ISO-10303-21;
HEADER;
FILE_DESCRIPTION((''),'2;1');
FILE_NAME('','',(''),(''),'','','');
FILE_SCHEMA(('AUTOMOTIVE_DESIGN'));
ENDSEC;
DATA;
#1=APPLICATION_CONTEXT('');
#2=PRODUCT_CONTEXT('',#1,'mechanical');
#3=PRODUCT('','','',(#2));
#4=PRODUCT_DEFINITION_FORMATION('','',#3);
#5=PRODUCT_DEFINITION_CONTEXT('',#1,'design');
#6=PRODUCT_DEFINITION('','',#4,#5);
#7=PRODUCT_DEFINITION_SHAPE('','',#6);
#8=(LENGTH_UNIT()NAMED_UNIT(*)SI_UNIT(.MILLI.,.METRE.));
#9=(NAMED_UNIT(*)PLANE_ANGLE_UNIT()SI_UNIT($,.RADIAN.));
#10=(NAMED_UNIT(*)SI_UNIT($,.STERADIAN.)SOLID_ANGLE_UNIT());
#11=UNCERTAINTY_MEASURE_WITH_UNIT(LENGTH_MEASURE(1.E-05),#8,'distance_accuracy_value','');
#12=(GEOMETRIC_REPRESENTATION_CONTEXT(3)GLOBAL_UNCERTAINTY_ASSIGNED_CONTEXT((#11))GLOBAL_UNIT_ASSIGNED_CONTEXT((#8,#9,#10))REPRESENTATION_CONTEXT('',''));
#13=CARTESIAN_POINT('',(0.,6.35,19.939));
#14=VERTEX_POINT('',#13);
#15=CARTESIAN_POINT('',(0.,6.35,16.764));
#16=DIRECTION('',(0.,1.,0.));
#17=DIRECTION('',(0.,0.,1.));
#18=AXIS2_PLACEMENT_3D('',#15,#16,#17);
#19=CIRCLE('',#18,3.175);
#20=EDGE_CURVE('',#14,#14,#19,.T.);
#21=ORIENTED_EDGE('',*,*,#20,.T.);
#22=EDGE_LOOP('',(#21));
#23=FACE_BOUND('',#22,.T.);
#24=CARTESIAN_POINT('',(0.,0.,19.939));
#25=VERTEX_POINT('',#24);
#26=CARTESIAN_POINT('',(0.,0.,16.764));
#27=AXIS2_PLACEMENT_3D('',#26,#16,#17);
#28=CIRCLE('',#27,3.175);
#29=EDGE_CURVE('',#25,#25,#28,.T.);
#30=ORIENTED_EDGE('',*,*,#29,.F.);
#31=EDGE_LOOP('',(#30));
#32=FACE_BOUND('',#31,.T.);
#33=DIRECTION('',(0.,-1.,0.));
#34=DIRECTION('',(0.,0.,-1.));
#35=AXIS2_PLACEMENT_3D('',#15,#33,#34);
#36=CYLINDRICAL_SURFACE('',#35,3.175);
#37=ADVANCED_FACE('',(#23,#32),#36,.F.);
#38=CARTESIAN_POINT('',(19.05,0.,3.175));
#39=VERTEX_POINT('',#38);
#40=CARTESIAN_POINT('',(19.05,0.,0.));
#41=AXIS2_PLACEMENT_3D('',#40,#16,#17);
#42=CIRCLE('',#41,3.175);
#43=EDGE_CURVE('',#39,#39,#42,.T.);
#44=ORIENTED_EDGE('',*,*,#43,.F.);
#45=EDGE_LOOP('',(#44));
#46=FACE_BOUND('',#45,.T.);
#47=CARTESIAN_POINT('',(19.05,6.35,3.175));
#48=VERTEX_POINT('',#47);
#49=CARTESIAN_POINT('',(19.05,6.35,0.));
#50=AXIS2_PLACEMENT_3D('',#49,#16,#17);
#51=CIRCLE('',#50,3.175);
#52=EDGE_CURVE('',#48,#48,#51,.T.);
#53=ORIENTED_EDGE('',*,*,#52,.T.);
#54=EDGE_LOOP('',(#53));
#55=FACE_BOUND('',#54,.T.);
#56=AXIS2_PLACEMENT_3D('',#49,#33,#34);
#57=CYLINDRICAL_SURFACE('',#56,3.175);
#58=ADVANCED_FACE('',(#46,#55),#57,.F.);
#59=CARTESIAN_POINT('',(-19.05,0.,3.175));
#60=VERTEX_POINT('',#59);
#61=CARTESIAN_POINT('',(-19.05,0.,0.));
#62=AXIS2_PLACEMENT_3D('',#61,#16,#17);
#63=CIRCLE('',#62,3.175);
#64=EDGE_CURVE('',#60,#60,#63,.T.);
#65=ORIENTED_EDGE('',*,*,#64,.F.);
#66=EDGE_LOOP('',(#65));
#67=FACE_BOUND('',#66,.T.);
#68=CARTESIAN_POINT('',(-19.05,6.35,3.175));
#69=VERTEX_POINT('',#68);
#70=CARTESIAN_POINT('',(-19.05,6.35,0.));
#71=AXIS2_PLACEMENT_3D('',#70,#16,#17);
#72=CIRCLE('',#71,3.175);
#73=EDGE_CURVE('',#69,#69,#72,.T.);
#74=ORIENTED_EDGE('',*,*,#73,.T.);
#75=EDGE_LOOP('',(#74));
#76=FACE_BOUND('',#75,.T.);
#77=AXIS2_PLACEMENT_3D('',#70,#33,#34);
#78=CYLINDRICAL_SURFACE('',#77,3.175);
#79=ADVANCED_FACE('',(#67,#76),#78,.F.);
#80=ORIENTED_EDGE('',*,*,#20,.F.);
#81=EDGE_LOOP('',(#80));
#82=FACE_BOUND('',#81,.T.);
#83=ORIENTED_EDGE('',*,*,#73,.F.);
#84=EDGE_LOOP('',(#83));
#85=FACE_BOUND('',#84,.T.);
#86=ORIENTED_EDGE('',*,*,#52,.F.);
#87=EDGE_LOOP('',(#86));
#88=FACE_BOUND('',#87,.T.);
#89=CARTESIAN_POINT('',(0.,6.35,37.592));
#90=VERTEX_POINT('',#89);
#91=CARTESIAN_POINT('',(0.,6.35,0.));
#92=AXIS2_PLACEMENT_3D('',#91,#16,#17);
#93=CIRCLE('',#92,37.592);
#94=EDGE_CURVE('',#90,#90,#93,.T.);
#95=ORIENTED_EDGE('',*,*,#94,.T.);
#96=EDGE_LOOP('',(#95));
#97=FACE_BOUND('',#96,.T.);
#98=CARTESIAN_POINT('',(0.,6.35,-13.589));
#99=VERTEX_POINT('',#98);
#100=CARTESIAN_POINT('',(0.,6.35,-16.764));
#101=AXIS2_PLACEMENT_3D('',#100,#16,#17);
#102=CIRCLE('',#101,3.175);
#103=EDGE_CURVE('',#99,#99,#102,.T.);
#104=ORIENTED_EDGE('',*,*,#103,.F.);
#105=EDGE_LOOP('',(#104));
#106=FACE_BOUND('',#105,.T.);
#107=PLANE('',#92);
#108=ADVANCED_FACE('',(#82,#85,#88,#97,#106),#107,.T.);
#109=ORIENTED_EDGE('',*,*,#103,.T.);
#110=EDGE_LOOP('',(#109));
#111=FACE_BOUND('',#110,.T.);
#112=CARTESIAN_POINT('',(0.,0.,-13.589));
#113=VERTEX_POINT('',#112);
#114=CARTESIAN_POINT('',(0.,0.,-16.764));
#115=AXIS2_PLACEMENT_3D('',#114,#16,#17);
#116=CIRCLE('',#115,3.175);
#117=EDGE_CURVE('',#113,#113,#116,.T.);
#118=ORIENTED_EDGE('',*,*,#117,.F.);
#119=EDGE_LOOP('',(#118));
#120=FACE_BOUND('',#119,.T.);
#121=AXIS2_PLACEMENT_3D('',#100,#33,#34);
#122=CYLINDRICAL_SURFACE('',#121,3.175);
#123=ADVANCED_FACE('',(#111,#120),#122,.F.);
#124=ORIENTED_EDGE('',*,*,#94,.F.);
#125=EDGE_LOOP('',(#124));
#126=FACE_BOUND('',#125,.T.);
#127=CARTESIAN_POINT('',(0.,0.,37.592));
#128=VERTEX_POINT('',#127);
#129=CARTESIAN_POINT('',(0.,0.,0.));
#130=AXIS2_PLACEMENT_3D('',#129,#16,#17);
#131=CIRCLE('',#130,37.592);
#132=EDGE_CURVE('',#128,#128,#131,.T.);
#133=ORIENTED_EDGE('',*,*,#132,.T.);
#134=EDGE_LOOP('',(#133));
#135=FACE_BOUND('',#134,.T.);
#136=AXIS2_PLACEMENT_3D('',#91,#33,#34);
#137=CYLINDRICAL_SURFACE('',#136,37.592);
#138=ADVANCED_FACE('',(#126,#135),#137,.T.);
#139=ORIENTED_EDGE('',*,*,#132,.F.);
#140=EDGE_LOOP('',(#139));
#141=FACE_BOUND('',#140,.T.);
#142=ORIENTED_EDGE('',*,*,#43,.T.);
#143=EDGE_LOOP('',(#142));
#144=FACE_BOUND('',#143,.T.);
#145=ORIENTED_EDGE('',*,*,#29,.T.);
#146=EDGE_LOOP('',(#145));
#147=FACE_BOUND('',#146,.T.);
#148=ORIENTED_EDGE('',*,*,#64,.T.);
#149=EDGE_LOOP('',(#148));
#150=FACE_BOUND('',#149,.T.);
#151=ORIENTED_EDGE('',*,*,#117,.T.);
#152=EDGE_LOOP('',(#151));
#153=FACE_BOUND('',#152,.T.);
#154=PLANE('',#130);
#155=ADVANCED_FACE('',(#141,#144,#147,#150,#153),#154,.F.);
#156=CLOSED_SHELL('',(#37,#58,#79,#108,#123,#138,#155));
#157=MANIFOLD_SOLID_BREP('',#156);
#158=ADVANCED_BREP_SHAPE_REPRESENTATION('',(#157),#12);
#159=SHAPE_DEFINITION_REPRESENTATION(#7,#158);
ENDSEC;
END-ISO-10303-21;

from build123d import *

# Parameters (mm, degrees)
SKETCH1_R           = 37.592
SKETCH1_R_2         = 3.175
BOSS_EXTRUDE1_DEPTH = 6.35


with BuildPart() as part:
    # Sketch1 → Boss-Extrude1 (new body)
    with BuildSketch(Plane(origin=(0, 0, 0), x_dir=(1, 0, 0), z_dir=(0, 1, 0))):
        with Locations(Location((0, 0, 0), (0, 0, 270))):
            Circle(SKETCH1_R)
        with Locations(Location((0, 16.764, 0), (0, 0, 270))):
            Circle(SKETCH1_R_2, mode=Mode.SUBTRACT)
        with Locations(Location((0, -16.764, 0), (0, 0, 270))):
            Circle(SKETCH1_R_2, mode=Mode.SUBTRACT)
        with Locations(Location((-19.05, 0, 0), (0, 0, 270))):
            Circle(SKETCH1_R_2, mode=Mode.SUBTRACT)
        with Locations(Location((19.05, 0, 0), (0, 0, 270))):
            Circle(SKETCH1_R_2, mode=Mode.SUBTRACT)
    extrude(amount=BOSS_EXTRUDE1_DEPTH)


solid = part.part
